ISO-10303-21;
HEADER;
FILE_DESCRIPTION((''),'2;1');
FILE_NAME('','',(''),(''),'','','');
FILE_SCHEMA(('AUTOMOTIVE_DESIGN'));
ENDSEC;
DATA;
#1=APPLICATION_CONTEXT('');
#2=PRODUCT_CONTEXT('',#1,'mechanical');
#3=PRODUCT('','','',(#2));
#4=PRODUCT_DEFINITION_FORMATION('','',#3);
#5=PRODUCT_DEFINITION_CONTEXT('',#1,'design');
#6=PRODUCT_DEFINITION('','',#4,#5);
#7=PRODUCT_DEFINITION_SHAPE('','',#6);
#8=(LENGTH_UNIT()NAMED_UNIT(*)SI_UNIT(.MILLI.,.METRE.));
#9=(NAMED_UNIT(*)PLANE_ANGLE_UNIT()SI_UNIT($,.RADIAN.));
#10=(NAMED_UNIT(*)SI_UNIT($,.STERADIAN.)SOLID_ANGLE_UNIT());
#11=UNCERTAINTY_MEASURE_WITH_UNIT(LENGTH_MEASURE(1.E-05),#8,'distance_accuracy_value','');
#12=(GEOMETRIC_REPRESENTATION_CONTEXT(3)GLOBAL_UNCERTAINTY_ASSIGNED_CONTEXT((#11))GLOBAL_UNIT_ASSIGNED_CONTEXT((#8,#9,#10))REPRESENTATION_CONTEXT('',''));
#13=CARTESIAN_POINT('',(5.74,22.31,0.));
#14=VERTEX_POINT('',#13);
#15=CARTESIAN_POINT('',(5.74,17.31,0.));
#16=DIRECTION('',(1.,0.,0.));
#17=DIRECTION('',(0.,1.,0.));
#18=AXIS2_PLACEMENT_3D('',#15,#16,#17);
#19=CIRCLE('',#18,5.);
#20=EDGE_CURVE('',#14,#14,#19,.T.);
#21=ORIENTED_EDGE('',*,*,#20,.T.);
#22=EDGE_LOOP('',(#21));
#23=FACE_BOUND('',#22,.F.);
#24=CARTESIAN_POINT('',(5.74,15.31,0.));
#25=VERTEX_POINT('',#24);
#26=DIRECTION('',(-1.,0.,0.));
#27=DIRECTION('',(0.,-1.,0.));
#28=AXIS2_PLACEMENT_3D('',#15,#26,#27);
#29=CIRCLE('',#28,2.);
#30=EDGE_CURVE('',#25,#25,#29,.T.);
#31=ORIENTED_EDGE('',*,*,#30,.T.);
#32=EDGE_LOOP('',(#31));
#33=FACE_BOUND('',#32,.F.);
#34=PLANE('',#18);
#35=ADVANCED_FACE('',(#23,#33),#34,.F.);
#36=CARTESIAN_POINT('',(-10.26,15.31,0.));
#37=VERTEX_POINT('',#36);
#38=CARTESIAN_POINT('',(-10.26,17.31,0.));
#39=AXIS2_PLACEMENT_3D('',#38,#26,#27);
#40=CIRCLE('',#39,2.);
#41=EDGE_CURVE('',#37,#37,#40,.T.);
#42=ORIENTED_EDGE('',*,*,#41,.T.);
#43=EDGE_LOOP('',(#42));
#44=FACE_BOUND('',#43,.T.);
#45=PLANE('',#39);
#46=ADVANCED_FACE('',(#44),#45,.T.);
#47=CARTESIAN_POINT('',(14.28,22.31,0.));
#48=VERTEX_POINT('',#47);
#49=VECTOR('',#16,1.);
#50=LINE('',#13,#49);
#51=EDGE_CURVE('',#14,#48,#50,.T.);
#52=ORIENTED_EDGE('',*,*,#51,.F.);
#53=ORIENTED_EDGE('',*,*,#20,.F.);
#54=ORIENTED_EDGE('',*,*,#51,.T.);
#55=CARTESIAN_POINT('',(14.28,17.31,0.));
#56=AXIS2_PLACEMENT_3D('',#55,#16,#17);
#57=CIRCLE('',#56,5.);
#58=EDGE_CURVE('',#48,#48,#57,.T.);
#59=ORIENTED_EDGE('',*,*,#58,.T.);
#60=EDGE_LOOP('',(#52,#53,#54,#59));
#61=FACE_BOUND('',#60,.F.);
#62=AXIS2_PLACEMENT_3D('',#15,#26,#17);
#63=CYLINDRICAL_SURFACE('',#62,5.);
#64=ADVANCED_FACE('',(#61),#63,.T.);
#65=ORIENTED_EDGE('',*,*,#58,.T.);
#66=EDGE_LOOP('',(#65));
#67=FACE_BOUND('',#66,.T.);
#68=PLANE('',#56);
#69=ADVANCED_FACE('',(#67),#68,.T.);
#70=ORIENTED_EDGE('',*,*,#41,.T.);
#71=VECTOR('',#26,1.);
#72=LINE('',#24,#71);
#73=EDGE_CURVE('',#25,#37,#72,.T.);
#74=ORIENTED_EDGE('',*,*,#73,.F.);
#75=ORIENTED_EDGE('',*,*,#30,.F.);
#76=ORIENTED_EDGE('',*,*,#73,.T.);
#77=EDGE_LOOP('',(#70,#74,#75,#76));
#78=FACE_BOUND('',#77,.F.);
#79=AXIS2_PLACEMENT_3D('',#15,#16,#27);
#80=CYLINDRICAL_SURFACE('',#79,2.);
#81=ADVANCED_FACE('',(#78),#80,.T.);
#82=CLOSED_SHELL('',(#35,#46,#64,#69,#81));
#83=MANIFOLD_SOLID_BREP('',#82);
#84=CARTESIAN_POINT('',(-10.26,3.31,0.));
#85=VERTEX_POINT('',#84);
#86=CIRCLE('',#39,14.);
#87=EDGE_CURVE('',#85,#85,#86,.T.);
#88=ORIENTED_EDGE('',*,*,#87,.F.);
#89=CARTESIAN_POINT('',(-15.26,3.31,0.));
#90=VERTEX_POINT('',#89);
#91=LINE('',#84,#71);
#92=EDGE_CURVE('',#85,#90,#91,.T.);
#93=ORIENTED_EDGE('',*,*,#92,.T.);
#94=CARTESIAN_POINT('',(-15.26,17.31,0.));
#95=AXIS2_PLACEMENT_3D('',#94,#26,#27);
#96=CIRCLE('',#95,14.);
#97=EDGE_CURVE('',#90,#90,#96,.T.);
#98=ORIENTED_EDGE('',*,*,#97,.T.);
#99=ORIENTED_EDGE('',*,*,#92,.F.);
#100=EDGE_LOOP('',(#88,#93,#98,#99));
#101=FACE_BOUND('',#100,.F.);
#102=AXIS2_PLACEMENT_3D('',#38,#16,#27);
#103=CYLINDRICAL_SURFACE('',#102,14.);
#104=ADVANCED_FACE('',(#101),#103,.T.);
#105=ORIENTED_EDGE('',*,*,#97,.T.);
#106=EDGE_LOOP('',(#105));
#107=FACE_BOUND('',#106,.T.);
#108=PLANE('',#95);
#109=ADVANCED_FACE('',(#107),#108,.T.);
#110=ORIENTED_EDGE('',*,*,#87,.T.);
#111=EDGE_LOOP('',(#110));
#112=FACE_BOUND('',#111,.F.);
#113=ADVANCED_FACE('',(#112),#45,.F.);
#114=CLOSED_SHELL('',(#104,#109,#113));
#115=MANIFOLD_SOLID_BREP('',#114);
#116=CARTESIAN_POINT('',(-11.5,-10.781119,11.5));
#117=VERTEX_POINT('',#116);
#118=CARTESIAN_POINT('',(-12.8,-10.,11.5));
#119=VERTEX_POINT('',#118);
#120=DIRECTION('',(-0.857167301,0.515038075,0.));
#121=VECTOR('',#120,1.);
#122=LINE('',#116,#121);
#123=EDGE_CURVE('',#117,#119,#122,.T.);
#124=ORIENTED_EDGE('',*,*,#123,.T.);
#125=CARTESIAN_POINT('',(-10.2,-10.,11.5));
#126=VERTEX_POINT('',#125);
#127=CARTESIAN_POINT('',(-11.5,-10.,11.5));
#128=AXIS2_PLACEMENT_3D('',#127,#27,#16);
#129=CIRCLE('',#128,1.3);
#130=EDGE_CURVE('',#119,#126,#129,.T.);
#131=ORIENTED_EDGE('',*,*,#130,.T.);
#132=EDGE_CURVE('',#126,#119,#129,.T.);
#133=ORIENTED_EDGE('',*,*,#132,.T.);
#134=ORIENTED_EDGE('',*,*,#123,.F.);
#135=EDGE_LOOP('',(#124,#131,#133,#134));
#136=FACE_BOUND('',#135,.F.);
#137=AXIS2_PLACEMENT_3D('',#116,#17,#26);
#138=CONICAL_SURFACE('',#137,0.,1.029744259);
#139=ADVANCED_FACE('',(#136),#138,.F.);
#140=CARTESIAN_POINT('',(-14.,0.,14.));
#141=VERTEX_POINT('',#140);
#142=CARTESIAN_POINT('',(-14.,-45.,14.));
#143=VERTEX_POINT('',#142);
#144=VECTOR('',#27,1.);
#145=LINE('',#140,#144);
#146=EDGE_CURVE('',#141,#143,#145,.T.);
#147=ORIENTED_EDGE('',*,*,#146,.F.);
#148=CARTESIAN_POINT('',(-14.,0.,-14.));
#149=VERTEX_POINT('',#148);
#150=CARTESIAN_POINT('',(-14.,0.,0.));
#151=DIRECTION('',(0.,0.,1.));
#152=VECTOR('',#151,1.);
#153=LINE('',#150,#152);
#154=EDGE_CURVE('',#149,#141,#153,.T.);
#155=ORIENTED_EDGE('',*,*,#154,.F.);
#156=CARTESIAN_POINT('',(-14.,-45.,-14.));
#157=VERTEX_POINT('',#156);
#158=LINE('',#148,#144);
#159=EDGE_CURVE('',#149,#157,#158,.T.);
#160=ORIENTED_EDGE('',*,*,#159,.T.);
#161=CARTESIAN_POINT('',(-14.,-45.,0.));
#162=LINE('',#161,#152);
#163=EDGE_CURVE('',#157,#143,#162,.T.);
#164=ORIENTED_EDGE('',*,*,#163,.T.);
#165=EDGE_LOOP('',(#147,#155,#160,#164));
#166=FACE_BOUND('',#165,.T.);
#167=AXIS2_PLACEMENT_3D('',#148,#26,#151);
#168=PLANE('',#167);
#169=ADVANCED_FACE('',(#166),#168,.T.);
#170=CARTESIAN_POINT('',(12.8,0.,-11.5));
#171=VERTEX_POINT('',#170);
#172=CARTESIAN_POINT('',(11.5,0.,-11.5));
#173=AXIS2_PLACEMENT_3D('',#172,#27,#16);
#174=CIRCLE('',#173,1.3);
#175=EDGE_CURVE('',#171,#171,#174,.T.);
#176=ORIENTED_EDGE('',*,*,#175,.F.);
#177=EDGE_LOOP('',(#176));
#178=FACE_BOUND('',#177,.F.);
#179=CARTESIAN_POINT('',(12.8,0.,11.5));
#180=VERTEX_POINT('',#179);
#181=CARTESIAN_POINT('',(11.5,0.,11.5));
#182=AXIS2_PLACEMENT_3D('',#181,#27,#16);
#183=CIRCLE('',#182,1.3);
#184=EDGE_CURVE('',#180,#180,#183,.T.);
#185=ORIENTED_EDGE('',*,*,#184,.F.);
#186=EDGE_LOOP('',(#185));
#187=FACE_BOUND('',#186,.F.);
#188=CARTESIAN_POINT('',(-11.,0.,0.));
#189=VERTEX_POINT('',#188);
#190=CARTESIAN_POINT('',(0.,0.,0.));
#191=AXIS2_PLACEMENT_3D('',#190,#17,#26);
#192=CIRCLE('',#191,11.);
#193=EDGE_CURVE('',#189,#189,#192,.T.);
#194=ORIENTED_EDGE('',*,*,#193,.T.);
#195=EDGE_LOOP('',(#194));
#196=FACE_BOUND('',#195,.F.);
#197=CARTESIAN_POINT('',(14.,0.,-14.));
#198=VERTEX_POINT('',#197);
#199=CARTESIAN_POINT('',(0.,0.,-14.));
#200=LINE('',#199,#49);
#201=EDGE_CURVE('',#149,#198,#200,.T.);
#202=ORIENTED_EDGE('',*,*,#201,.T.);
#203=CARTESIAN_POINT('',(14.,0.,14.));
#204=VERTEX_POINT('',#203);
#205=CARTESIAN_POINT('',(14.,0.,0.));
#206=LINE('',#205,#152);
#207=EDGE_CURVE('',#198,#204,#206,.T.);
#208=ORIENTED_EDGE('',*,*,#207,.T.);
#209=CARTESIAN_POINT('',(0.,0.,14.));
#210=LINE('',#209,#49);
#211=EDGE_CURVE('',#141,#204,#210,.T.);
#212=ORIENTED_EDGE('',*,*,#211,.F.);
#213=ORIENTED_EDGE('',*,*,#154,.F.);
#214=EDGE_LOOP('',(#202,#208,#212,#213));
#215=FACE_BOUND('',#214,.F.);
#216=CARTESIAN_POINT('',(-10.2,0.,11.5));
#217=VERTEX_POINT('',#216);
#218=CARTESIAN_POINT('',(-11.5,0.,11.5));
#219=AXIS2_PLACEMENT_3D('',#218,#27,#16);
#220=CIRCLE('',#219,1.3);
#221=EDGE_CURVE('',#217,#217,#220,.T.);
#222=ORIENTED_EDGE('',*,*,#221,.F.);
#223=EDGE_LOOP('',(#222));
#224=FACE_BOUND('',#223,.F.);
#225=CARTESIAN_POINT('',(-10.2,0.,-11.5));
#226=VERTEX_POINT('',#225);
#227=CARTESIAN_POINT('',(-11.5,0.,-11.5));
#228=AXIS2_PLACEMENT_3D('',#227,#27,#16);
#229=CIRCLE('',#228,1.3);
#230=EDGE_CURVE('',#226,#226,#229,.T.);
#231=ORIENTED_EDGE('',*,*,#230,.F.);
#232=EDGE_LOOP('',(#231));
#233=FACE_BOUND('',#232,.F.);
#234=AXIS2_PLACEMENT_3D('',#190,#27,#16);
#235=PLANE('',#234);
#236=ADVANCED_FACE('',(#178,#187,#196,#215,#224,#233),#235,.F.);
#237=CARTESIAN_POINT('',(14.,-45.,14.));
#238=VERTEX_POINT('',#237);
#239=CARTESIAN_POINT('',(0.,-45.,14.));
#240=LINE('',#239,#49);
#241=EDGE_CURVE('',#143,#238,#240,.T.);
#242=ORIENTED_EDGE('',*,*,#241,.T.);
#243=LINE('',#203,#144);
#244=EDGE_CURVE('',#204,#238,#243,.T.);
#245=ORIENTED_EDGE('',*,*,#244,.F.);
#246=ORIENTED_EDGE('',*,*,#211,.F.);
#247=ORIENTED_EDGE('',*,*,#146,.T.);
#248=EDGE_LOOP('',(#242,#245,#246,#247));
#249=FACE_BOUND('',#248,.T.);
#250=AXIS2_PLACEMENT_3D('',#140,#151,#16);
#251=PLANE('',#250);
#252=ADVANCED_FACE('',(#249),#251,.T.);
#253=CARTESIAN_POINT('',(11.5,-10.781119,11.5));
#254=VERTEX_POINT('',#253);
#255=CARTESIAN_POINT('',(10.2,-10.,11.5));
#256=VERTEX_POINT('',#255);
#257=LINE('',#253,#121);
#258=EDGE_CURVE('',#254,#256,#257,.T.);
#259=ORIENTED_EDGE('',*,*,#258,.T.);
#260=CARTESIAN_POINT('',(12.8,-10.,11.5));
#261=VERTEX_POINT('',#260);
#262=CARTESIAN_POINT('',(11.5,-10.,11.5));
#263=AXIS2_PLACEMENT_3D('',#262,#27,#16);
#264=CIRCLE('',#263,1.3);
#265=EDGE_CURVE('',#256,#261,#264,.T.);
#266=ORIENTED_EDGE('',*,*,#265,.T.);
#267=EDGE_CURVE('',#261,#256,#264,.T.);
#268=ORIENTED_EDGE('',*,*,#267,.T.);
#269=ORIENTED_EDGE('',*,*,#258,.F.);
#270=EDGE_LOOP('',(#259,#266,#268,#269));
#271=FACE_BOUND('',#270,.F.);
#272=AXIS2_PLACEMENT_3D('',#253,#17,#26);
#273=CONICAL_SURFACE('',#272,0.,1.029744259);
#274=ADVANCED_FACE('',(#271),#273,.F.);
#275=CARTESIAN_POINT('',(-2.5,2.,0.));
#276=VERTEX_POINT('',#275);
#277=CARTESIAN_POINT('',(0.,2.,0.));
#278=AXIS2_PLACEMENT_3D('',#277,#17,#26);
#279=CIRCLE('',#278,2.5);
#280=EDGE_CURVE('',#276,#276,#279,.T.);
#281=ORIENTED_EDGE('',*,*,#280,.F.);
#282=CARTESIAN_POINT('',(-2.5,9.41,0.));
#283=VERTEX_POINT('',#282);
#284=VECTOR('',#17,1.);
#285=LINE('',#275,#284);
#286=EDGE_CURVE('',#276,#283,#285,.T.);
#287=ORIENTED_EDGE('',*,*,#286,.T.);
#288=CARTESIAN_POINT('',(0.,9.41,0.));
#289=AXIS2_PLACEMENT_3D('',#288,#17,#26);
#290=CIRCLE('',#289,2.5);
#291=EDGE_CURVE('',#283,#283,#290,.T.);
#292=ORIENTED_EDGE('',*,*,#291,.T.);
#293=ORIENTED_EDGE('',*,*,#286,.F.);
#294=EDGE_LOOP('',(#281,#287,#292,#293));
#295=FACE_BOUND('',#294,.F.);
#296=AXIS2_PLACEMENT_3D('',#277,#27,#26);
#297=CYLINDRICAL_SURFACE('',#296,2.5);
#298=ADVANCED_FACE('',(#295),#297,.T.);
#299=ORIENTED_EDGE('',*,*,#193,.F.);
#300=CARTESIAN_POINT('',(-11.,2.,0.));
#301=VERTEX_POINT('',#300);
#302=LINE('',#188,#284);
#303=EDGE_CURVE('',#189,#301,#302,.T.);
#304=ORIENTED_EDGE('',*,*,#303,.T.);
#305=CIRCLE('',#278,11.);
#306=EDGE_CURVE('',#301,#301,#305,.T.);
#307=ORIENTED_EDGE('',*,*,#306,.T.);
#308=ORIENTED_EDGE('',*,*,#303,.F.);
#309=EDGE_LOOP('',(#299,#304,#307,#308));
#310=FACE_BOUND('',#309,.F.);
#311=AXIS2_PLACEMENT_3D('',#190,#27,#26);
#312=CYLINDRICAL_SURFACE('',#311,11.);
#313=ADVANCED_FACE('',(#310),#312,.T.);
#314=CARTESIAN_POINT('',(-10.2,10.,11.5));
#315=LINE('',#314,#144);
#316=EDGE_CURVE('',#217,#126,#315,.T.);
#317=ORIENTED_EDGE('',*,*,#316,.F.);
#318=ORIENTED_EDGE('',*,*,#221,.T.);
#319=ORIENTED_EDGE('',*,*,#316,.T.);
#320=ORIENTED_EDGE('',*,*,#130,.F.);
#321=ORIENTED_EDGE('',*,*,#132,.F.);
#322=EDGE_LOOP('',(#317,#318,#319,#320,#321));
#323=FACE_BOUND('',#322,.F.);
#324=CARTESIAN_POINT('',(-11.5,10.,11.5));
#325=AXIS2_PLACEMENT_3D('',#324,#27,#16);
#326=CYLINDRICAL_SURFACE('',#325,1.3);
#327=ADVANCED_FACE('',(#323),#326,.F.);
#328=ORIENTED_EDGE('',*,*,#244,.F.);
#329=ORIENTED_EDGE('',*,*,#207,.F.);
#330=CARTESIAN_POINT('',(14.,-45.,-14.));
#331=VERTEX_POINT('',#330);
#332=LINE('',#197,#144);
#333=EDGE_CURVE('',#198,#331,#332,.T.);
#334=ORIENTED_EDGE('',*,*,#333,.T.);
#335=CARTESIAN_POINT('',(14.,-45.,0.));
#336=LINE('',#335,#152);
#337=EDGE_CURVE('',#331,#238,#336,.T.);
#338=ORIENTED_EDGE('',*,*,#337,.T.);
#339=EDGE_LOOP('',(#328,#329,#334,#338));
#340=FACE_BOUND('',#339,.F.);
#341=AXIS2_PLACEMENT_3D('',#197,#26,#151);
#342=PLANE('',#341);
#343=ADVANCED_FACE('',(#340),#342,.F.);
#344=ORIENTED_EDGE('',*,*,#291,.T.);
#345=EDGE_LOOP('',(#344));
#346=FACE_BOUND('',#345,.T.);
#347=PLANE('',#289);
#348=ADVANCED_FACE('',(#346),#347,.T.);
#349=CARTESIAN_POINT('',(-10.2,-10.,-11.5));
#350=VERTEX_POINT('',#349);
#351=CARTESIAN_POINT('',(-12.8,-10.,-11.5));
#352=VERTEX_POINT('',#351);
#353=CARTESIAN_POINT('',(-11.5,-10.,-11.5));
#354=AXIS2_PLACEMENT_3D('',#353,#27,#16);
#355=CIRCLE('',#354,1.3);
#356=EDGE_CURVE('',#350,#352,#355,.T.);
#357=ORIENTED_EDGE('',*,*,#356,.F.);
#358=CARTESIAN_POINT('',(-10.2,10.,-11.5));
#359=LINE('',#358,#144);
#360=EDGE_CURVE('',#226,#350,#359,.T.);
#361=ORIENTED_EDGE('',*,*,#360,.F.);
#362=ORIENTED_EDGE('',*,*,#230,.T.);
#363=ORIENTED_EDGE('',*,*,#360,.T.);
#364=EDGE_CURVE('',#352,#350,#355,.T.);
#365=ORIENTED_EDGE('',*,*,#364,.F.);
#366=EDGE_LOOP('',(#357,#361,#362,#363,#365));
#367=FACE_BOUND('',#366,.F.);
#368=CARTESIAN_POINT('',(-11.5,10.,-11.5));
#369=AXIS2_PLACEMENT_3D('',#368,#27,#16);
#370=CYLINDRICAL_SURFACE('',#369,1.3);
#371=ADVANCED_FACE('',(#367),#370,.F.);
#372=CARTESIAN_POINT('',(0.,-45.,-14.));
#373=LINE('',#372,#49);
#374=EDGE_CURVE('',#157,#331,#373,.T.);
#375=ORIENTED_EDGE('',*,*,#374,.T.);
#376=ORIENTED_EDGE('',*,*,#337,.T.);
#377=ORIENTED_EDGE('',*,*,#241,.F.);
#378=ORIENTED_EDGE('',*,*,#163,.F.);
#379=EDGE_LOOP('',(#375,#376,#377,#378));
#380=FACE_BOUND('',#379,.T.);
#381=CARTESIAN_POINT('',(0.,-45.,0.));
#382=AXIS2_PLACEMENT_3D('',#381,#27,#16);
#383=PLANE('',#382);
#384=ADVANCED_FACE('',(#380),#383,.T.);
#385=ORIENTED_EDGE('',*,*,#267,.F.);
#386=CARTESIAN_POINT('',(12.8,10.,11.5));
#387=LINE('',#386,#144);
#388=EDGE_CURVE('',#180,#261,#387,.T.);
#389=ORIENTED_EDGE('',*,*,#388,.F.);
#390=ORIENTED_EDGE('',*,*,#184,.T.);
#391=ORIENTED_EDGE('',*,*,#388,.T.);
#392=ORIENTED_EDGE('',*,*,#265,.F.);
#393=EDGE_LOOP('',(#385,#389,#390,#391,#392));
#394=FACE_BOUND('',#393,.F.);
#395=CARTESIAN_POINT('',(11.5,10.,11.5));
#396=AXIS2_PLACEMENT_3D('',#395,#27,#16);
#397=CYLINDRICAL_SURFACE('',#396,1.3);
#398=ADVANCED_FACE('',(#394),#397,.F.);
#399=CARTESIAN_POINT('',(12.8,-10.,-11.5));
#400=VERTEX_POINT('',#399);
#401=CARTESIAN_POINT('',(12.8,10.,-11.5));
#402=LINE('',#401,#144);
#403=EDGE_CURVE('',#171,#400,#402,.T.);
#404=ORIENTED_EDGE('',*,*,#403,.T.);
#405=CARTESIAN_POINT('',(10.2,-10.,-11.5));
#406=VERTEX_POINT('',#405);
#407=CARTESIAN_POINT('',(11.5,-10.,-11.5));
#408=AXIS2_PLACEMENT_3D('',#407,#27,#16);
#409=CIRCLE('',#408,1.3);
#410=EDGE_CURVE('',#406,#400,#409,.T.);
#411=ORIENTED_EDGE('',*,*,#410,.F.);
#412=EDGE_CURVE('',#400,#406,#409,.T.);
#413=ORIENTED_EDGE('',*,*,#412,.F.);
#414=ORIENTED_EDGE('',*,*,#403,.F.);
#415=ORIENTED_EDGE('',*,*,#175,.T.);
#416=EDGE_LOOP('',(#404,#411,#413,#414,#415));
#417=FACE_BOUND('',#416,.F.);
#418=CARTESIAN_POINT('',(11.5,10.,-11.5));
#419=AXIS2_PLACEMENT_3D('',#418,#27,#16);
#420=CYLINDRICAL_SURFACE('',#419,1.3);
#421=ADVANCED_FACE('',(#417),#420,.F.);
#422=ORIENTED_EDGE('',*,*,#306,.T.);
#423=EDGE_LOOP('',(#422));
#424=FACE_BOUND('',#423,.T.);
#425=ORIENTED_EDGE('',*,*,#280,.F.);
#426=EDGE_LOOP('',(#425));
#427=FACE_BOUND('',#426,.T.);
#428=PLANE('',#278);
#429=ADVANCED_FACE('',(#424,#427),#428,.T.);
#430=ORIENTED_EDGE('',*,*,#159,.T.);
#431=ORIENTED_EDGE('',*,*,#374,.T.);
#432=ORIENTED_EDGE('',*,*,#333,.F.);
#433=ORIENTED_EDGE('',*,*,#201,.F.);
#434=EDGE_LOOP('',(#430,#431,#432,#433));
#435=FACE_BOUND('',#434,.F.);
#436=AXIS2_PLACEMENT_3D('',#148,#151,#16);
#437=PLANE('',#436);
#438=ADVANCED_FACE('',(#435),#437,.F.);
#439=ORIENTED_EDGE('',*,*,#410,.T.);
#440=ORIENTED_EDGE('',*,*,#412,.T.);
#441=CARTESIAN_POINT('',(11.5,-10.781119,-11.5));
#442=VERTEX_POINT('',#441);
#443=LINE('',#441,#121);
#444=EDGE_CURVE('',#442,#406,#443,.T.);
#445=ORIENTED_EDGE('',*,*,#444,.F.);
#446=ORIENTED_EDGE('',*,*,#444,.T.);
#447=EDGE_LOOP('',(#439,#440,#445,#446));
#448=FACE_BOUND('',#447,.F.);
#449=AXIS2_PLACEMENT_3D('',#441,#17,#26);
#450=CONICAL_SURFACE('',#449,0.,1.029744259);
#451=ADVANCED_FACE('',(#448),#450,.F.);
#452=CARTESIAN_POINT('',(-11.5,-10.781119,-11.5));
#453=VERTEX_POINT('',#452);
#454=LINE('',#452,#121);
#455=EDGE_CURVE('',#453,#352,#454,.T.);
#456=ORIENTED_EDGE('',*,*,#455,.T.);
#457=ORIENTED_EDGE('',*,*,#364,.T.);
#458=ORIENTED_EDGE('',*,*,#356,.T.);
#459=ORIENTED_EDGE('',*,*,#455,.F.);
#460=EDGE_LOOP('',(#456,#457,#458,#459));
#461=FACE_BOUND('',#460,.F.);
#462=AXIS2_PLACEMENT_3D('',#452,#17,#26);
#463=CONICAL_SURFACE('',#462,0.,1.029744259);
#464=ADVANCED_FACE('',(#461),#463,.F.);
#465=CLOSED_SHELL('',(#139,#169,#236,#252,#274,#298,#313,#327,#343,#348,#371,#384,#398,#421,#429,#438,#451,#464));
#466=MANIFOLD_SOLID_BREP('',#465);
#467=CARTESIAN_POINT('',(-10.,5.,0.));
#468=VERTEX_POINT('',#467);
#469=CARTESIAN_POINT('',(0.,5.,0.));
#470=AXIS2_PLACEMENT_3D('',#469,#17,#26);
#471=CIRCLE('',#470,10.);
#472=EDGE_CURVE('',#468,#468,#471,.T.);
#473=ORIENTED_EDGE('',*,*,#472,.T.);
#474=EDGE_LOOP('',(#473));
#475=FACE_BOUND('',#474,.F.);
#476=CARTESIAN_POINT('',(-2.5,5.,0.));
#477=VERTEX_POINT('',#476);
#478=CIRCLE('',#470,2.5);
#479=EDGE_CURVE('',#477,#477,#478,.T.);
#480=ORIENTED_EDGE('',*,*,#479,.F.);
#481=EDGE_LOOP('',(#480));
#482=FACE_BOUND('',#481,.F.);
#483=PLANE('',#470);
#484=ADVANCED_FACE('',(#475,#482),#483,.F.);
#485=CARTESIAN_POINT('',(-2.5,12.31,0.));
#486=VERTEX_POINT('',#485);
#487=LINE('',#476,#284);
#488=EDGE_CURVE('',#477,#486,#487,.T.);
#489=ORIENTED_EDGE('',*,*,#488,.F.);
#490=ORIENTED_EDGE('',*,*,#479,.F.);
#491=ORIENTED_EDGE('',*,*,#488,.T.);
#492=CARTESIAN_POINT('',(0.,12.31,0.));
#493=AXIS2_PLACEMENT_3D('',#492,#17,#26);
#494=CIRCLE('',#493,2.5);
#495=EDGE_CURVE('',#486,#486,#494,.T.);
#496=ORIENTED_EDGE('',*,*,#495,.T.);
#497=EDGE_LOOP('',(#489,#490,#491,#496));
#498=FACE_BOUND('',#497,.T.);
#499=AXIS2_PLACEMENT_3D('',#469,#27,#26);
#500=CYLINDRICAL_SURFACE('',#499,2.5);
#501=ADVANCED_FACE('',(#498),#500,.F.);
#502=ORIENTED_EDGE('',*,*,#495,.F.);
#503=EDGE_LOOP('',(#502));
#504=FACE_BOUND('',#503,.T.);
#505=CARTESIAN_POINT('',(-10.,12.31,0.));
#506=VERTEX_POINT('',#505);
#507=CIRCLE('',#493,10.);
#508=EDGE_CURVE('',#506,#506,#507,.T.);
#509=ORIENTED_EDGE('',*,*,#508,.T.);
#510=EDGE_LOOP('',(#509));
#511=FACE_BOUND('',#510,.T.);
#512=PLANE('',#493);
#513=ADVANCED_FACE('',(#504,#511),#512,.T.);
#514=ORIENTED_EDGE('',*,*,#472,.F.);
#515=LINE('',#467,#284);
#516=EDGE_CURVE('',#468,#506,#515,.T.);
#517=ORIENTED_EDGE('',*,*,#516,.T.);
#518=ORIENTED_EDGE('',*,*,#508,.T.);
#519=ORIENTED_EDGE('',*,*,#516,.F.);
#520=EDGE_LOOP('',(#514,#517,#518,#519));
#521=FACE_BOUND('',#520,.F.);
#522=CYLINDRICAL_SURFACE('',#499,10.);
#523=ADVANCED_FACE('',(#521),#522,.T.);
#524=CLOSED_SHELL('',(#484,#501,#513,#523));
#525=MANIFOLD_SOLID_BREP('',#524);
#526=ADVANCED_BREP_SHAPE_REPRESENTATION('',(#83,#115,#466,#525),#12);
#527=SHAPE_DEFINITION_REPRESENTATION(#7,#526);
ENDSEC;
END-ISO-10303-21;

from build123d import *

# Parameters (mm, degrees)
F0_W      = 28
F0_H      = 28
F1_DEPTH  = 45
F2_R      = 11
F3_DEPTH  = 2
F5_D      = 2.6
F5_DEPTH  = 10
F5_TIP    = 0.7811188047
F6_R      = 2.5
F7_DEPTH  = 7.41
F9_R      = 10
F9_R_2    = 2.5
F10_DEPTH = 7.31
F12_R     = 5
F13_DEPTH = 8.54
F14_R     = 2
F15_DEPTH = 16
F16_R     = 14
F16_R_2   = 2
F17_DEPTH = 5


with BuildPart() as f1:
    # F0 (on Front) → F1 (new body)
    with BuildSketch(Plane.XZ):
        Rectangle(F0_W, F0_H)
    extrude(amount=F1_DEPTH)

    # F2 (on face) → F3 (join)
    with BuildSketch(Plane(origin=(0, 0, 0), x_dir=(-1, 0, 0), z_dir=(0, 1, 0))):
        Circle(F2_R)
    extrude(amount=F3_DEPTH)

    # F5
    with Locations(Plane(origin=(0, 0, 0), x_dir=(-1, 0, 0), z_dir=(0, 1, 0))):
        with Locations((-11.5, 11.5), (11.5, 11.5), (11.5, -11.5), (-11.5, -11.5)):
            Hole(F5_D / 2, depth=F5_DEPTH)
            with Locations((0, 0, -(F5_DEPTH + F5_TIP / 2))):  # 118° drill point
                Cone(0, F5_D / 2, F5_TIP, mode=Mode.SUBTRACT)

    # F6 (on face) → F7 (join)
    with BuildSketch(Plane(origin=(0, 2, 0), x_dir=(-1, 0, 0), z_dir=(0, 1, 0))):
        Circle(F6_R)
    extrude(amount=F7_DEPTH)


with BuildPart() as f10:
    # F9 (on offset) → F10 (new body)
    with BuildSketch(Plane(origin=(0, 5, 0), x_dir=(-1, 0, 0), z_dir=(0, 1, 0))):
        Circle(F9_R)
        Circle(F9_R_2, mode=Mode.SUBTRACT)
    extrude(amount=F10_DEPTH)


with BuildPart() as f13:
    # F12 (on offset) → F13 (new body)
    with BuildSketch(Plane.YZ.offset(5.74)):
        with Locations((17.31, 0)):
            Circle(F12_R)
    extrude(amount=F13_DEPTH)

    # F14 (on face) → F15 (join)
    with BuildSketch(Plane(origin=(5.74, 0, 0), x_dir=(0, -1, 0), z_dir=(-1, 0, 0))):
        with Locations((-17.31, 0)):
            Circle(F14_R)
    extrude(amount=F15_DEPTH)


with BuildPart() as f17:
    # F16 (on face) → F17 (new body)
    with BuildSketch(Plane(origin=(-10.26, 0, 0), x_dir=(0, -1, 0), z_dir=(-1, 0, 0))):
        with Locations((-17.31, 0)):
            Circle(F16_R)
        with Locations((-17.31, 0)):
            Circle(F16_R_2, mode=Mode.SUBTRACT)
        with Locations((-17.31, 0)):
            Circle(F16_R_2)
    extrude(amount=F17_DEPTH)


solid = Compound([f1.part, f10.part, f13.part, f17.part])
